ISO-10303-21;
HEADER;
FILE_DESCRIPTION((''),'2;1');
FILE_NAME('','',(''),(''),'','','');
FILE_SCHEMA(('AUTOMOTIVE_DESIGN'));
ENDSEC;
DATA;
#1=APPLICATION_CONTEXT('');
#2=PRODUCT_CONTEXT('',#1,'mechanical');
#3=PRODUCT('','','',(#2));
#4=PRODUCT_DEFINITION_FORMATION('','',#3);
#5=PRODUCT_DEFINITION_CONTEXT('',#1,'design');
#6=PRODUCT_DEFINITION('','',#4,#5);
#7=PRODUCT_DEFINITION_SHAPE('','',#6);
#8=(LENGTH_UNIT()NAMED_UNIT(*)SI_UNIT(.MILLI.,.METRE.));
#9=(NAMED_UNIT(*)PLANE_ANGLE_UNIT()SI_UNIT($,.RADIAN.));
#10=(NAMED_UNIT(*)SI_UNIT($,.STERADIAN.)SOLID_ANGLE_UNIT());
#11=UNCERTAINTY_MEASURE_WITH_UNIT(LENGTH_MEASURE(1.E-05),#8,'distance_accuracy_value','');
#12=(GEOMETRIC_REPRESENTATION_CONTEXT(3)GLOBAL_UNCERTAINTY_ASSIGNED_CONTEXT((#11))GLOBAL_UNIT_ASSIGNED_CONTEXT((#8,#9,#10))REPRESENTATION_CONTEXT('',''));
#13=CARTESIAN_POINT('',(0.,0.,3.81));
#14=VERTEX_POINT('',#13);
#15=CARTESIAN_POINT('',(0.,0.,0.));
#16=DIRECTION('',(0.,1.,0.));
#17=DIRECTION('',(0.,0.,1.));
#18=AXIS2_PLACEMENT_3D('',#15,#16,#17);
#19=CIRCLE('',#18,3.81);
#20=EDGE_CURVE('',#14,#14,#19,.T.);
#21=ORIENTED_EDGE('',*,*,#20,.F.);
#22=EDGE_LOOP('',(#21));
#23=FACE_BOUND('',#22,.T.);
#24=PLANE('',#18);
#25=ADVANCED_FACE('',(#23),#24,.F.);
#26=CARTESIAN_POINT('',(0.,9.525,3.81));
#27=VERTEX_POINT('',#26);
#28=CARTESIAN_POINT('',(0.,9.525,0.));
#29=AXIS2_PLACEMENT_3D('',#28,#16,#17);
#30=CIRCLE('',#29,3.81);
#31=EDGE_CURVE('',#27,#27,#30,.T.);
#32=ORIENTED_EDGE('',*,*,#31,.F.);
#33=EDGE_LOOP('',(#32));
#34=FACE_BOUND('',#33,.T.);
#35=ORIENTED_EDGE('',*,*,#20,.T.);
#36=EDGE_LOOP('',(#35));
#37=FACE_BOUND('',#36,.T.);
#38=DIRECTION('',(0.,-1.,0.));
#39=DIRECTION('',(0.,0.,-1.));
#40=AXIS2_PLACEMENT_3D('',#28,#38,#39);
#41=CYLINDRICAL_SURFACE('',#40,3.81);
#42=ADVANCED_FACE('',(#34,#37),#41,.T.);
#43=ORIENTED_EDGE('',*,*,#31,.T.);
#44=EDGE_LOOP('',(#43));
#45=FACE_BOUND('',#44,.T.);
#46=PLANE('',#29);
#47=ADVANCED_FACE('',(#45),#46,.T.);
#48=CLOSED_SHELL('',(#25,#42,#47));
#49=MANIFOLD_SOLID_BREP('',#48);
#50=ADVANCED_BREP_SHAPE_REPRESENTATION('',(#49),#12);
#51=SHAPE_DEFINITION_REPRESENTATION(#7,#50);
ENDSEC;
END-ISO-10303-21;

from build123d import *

# Parameters (mm, degrees)
SKETCH1_R           = 3.81
BOSS_EXTRUDE1_DEPTH = 9.525


with BuildPart() as part:
    # Sketch1 → Boss-Extrude1 (new body)
    with BuildSketch(Plane(origin=(0, 0, 0), x_dir=(1, 0, 0), z_dir=(0, 1, 0))):
        Circle(SKETCH1_R)
    extrude(amount=BOSS_EXTRUDE1_DEPTH)


solid = part.part
